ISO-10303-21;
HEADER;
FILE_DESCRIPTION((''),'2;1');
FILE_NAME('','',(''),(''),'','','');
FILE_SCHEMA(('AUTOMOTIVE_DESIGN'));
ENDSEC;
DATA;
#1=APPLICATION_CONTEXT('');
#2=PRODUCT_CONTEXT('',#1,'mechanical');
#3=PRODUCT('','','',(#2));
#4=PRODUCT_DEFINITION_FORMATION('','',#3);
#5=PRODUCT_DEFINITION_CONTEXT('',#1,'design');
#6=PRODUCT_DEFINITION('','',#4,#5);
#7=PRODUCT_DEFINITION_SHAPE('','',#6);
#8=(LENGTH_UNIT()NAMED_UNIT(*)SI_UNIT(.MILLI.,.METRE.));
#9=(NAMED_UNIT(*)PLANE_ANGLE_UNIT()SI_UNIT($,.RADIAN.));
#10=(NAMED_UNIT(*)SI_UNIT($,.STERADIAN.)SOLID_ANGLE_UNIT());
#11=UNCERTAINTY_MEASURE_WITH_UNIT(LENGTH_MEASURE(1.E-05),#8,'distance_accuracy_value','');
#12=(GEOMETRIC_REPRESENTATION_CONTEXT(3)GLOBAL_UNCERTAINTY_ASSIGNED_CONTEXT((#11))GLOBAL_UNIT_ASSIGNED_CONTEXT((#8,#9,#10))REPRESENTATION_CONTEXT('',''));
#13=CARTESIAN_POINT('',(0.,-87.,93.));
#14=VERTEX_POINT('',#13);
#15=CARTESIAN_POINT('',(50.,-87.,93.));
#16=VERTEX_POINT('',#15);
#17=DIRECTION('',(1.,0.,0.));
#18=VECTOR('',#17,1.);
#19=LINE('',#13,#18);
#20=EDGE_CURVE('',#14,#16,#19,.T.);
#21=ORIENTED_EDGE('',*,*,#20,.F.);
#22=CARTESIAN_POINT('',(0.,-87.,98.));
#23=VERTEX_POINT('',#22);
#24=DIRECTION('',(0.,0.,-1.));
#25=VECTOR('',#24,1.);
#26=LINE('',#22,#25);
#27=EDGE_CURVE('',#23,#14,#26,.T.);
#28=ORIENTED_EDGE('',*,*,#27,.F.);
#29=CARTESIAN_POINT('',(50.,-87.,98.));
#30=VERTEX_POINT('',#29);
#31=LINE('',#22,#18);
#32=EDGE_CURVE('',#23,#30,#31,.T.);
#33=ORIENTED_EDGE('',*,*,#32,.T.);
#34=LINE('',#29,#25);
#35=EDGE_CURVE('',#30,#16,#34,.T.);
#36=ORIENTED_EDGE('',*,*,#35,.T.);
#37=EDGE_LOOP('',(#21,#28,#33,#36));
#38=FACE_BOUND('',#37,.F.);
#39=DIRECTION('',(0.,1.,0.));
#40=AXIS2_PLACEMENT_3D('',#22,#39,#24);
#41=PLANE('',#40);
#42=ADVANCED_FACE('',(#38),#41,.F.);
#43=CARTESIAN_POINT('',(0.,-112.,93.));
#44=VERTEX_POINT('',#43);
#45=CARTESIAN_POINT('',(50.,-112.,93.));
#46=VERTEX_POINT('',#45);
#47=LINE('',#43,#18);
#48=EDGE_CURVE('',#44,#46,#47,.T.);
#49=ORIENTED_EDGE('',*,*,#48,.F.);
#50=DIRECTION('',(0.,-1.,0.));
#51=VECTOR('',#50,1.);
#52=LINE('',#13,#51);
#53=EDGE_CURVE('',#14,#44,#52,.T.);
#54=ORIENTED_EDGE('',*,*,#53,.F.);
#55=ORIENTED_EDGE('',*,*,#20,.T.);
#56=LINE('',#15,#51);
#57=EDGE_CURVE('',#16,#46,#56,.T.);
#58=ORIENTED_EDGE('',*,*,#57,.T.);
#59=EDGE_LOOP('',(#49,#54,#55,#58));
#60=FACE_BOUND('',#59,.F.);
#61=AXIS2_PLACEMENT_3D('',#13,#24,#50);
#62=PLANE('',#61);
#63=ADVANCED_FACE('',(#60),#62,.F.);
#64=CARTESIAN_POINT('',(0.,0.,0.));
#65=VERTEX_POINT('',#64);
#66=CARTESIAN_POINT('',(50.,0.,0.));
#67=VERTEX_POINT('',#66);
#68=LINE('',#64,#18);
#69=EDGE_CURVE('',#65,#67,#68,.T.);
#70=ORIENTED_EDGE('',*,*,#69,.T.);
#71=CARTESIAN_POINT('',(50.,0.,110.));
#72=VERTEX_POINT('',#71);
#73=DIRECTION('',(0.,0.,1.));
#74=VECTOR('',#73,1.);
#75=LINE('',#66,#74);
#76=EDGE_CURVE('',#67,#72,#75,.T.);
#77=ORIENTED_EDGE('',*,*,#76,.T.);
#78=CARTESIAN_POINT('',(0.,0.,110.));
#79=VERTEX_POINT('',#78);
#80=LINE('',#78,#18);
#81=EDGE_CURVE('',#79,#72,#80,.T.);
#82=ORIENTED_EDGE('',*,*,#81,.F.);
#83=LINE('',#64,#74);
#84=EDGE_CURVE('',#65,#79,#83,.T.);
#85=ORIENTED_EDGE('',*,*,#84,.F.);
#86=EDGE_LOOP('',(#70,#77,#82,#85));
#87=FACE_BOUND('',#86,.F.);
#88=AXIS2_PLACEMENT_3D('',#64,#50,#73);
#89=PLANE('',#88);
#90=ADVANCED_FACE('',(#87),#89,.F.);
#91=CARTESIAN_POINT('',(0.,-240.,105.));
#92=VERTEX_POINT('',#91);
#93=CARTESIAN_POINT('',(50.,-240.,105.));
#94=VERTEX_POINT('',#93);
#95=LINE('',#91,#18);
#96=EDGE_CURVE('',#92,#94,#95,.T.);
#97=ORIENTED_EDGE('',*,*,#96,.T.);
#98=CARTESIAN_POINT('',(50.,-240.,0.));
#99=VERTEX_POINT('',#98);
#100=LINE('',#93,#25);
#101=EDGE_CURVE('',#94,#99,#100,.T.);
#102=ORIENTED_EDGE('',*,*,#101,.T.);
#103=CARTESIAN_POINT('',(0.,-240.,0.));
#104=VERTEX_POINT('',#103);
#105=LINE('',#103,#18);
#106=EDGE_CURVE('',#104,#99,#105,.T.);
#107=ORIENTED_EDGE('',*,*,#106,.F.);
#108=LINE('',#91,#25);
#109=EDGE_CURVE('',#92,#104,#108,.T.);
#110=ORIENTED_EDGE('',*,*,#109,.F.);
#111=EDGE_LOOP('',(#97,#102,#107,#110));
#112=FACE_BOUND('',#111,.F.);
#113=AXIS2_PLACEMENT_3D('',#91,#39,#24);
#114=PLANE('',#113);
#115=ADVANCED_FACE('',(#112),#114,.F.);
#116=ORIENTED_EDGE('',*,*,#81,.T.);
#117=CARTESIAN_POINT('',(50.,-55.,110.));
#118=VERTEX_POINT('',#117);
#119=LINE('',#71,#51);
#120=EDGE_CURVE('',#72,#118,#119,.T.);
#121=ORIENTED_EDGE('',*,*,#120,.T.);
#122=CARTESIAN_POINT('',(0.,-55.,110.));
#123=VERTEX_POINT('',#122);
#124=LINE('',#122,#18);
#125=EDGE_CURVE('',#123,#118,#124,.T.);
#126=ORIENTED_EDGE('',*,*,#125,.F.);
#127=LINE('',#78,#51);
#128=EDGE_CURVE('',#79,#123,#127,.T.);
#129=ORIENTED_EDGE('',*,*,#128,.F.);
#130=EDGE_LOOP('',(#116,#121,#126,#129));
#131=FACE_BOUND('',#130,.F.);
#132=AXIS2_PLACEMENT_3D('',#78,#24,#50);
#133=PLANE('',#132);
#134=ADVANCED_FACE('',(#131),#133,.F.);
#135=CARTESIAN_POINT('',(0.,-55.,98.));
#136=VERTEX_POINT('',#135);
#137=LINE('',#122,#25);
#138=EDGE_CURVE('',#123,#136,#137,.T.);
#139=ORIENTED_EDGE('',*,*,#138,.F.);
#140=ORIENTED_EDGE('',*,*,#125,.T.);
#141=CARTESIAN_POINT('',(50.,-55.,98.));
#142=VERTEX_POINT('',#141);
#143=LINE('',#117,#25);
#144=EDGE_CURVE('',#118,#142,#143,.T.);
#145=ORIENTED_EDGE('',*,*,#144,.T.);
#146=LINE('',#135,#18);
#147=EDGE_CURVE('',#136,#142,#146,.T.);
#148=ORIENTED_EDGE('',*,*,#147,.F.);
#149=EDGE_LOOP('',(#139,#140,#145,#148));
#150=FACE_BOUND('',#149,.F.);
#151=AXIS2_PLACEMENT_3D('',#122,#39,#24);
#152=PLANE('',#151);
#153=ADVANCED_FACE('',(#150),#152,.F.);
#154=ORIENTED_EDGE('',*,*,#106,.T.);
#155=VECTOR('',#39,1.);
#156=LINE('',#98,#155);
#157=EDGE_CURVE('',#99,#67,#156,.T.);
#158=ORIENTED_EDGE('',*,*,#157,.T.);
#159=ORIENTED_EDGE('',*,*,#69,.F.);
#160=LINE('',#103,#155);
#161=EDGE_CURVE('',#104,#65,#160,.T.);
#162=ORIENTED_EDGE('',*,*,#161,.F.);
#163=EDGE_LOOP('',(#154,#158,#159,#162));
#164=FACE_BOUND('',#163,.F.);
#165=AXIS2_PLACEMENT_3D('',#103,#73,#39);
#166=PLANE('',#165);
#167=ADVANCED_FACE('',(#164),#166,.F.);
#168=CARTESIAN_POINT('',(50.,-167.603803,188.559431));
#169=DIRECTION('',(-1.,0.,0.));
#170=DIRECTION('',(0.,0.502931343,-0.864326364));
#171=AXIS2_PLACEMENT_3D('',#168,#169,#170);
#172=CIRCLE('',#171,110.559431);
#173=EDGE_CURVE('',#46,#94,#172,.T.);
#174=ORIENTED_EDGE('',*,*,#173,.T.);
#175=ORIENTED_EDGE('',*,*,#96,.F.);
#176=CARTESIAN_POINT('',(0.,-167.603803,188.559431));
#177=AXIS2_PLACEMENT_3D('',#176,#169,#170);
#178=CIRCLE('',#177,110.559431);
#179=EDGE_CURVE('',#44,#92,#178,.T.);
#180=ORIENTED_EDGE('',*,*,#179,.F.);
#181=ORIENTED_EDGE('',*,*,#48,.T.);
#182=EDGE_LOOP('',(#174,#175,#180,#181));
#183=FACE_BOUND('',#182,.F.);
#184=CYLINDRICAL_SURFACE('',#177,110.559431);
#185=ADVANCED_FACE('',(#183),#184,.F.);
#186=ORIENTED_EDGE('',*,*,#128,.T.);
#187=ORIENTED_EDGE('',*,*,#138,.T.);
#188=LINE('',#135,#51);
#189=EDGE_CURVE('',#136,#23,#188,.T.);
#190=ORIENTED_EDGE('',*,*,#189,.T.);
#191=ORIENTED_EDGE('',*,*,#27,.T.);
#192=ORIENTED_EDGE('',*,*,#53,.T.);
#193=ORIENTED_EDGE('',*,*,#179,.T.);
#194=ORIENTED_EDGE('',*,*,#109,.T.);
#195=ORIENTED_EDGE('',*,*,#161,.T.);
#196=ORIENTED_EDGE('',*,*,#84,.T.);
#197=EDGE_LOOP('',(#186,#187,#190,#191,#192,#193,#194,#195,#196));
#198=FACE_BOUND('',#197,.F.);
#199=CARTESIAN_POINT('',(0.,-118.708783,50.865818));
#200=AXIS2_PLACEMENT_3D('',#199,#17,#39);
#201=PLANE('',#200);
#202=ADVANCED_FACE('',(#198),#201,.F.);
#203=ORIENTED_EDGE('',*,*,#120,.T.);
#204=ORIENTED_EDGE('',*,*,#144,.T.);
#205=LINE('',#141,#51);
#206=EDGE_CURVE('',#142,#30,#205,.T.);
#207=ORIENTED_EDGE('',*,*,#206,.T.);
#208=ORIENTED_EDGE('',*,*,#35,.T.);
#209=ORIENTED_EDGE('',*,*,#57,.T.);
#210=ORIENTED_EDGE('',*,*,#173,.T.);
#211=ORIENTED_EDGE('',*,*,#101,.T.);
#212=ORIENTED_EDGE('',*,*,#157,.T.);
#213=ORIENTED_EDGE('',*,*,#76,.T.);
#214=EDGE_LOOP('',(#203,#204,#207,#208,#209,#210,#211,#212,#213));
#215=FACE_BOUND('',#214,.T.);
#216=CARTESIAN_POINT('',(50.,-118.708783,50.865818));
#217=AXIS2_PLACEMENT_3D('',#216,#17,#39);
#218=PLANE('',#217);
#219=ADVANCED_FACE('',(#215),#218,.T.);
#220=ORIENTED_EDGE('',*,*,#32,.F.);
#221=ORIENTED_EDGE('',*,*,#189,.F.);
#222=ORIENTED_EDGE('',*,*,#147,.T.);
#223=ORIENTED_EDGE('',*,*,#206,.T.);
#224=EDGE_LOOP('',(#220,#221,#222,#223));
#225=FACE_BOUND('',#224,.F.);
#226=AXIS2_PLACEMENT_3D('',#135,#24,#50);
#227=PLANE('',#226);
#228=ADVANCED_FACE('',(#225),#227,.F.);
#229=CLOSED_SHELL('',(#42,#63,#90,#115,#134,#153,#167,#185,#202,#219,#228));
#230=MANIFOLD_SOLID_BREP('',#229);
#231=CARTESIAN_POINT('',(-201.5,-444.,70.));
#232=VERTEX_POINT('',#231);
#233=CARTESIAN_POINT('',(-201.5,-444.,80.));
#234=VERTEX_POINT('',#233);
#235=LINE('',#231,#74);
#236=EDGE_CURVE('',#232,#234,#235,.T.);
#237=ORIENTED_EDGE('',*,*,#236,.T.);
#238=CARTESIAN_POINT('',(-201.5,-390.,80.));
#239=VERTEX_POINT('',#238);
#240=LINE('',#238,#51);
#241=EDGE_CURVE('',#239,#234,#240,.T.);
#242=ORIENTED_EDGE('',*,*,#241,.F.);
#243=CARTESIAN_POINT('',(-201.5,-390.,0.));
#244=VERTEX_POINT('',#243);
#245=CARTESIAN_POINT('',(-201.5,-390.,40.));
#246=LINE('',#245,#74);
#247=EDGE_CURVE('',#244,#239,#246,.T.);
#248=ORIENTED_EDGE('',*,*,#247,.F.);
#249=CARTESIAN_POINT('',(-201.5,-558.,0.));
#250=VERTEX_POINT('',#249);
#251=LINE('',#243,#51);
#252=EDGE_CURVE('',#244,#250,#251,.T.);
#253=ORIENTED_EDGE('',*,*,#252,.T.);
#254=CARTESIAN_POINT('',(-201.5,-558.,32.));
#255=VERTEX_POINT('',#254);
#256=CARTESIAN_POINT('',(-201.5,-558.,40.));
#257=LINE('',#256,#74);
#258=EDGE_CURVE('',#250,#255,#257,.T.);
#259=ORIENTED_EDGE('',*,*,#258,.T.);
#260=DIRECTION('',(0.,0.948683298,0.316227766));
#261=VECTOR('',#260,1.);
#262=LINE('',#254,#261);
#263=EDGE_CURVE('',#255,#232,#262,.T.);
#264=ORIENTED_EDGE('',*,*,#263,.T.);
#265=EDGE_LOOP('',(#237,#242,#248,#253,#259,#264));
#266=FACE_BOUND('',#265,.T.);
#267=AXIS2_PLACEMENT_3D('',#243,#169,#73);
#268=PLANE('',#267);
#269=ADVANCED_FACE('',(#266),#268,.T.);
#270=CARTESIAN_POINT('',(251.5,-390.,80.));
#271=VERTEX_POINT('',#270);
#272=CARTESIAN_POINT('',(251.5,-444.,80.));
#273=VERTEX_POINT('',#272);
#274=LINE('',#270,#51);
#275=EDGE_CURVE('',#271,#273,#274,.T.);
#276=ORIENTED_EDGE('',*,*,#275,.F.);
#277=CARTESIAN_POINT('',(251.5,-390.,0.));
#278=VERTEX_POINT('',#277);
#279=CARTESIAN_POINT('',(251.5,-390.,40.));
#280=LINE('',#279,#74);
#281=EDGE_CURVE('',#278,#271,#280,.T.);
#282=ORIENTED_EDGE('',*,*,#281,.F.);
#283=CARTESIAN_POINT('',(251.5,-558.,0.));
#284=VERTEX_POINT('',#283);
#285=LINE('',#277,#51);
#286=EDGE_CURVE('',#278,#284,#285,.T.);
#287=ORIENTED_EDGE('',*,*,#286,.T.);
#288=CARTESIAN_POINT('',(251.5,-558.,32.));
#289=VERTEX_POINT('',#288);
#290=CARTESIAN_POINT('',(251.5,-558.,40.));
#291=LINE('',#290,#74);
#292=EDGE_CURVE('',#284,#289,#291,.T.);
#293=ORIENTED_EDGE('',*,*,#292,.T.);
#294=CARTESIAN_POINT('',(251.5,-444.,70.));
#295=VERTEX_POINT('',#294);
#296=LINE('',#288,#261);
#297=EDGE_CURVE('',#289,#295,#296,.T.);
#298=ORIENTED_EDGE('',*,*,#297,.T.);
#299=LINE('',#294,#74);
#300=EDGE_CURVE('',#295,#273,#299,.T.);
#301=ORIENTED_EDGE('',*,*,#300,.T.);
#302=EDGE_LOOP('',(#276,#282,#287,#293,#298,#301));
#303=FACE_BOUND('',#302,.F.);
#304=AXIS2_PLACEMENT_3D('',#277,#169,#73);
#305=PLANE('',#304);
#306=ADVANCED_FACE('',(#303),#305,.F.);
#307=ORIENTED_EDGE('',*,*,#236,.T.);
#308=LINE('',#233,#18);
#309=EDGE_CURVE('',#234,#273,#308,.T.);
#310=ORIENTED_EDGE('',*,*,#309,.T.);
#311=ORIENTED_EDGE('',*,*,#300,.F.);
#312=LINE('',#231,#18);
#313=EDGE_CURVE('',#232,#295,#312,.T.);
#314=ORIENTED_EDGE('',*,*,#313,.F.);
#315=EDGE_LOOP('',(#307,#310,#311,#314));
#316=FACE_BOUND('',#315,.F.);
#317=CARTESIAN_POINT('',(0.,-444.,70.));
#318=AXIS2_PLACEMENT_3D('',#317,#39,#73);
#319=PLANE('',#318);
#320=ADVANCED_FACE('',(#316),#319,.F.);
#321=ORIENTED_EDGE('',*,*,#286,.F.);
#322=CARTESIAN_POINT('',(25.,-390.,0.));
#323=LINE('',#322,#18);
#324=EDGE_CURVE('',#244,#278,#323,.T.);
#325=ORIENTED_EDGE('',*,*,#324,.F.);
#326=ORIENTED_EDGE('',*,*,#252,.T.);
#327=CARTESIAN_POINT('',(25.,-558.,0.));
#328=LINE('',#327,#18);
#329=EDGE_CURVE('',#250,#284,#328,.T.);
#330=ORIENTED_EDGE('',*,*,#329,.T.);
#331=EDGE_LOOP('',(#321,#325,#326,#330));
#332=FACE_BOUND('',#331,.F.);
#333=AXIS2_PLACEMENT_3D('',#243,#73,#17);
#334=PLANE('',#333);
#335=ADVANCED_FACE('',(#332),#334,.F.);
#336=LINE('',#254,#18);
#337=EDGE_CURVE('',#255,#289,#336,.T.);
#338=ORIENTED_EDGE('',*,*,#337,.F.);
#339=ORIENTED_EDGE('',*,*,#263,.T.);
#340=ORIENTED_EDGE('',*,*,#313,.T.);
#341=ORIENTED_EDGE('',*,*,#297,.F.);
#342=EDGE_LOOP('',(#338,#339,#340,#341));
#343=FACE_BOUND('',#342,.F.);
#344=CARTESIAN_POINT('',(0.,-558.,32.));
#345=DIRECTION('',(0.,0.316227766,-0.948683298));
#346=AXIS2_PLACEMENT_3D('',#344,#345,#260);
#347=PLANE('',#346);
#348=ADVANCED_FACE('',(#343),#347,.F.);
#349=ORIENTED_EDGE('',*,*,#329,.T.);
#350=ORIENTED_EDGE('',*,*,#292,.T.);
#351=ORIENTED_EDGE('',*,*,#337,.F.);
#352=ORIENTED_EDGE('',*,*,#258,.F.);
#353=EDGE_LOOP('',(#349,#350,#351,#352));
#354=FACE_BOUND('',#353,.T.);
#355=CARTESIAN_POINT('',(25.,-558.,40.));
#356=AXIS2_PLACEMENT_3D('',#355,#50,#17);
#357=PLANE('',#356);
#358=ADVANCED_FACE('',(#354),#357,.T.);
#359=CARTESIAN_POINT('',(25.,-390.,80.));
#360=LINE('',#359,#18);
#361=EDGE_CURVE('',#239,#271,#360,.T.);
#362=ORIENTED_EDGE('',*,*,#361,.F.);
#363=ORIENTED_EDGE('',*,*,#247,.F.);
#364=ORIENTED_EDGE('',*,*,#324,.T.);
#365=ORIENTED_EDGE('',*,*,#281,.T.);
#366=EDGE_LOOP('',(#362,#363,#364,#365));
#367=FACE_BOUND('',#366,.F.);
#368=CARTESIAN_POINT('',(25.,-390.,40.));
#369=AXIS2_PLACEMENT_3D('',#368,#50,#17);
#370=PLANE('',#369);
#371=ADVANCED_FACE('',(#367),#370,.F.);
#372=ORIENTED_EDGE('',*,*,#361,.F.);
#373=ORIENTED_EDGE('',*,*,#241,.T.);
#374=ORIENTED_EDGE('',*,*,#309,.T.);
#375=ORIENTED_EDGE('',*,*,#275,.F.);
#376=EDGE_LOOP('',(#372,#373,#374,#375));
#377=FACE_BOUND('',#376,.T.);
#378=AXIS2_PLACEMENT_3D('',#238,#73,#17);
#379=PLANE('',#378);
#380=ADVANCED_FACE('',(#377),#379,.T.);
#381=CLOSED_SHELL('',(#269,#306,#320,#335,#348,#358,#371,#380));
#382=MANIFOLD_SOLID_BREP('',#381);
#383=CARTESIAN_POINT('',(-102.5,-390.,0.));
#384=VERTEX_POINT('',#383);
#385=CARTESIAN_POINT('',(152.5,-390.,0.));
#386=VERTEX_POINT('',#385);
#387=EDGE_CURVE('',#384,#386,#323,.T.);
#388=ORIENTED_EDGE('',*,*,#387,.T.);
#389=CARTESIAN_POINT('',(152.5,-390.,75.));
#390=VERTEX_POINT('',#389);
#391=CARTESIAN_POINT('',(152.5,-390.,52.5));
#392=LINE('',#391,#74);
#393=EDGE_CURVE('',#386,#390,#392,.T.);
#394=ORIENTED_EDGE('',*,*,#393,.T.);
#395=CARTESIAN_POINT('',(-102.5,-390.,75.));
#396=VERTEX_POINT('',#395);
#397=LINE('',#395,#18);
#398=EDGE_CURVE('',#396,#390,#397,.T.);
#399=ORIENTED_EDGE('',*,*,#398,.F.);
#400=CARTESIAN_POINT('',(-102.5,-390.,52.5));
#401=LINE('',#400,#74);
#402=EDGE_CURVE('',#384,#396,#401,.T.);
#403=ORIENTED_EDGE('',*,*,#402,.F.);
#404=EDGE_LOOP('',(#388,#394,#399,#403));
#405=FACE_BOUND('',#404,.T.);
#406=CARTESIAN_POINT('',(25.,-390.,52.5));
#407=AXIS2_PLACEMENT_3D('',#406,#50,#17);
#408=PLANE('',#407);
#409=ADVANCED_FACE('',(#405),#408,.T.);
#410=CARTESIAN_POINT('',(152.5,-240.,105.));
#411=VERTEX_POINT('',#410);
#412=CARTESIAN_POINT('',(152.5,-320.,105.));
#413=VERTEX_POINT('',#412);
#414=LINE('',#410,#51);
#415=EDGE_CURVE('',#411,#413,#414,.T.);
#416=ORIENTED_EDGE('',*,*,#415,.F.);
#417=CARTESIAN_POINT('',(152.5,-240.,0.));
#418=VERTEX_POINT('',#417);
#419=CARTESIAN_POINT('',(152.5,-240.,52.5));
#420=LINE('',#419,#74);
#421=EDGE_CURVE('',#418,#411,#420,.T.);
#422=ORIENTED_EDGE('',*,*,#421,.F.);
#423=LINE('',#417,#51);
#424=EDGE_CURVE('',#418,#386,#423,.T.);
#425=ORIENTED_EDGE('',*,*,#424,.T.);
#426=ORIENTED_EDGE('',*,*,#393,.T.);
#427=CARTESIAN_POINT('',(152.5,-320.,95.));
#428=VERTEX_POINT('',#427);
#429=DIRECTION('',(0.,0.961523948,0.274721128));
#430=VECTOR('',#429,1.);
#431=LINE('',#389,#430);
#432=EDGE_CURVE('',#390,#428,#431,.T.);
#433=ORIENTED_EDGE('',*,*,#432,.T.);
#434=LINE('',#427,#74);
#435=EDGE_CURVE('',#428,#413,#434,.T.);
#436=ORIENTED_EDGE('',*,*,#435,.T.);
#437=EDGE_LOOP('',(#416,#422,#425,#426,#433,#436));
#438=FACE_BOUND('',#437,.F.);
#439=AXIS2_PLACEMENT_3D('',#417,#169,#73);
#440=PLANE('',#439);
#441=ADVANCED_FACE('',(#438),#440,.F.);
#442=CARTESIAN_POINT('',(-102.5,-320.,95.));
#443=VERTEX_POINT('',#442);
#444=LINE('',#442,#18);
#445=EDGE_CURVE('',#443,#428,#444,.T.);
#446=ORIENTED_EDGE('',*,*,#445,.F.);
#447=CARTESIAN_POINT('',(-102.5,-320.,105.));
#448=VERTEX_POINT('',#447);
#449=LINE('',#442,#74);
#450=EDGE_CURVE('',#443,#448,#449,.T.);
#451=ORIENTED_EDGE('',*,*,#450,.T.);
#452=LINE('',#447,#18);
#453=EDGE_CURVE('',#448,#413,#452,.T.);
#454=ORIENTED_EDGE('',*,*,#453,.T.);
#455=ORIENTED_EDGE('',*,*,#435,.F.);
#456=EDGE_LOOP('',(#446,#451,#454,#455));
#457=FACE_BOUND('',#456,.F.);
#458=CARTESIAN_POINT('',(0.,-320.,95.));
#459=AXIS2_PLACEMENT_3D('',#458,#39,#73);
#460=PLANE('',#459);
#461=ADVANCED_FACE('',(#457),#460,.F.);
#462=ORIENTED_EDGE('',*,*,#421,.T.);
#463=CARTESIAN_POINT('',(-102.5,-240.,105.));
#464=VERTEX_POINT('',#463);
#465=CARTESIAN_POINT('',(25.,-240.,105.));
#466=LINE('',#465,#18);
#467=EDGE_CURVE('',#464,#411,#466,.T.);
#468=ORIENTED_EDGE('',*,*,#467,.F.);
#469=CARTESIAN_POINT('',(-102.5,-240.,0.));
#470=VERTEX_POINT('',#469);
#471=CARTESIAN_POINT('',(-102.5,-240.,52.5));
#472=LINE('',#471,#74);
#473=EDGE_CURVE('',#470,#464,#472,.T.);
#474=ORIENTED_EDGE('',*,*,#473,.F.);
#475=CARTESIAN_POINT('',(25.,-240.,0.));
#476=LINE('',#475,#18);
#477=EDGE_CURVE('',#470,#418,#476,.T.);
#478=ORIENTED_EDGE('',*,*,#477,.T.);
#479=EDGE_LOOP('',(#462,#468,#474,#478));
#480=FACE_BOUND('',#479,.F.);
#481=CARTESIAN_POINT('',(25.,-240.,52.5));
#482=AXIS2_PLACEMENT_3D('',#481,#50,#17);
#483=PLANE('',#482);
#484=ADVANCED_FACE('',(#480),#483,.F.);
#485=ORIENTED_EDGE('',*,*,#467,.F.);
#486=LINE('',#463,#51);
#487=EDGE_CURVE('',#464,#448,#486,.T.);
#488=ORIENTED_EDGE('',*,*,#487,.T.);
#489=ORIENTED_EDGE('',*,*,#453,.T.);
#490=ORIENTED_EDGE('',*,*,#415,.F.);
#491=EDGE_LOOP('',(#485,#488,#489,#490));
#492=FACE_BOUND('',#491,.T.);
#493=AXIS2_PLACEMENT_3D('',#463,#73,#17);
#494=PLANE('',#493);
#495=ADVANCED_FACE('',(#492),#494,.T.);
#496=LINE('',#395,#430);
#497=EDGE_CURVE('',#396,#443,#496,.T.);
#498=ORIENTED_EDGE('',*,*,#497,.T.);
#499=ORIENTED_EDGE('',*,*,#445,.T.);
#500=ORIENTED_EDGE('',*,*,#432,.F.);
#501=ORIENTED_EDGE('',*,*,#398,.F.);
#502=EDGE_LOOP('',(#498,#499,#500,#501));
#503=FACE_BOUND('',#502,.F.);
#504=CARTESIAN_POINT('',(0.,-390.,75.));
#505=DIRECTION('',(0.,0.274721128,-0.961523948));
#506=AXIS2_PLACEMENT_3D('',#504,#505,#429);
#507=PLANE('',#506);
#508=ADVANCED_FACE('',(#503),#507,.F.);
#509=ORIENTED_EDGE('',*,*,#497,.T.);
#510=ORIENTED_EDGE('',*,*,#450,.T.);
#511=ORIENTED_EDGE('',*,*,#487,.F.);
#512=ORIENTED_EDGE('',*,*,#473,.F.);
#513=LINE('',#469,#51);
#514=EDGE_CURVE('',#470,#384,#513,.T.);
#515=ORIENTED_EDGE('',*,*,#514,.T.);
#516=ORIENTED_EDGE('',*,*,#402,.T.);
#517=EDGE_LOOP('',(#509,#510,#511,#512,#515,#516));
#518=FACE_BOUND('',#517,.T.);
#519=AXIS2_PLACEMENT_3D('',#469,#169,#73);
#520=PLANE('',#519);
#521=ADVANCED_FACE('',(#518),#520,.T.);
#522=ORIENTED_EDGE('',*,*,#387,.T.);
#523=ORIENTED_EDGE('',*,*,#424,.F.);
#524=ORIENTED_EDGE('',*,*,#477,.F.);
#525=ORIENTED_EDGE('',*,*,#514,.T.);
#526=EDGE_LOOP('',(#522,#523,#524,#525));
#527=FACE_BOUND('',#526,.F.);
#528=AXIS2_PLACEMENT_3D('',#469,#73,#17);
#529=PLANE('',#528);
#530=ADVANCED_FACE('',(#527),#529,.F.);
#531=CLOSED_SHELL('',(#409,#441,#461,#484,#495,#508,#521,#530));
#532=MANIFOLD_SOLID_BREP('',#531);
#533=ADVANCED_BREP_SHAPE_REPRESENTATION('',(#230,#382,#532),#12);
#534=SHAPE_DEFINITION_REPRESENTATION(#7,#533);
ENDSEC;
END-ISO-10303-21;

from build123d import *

# Parameters (mm, degrees)
F1_DEPTH      = 50
F2_W          = 255
F2_H          = 105
F3_DEPTH      = 150
F5_DEPTH      = 152.5
F5_DEPTH_BACK = 102.5
F6_W          = 453
F6_H          = 80
F7_DEPTH      = 168
F9_DEPTH      = 201.5
F9_DEPTH_BACK = 251.5


with BuildPart() as f1:
    # F0 (on Right) → F1 (new body)
    with BuildSketch(Plane.YZ):
        with BuildLine():
            Line((-240, 0), (0, 0))
            Line((0, 0), (0, 110))
            Line((0, 110), (-55, 110))
            Line((-55, 110), (-55, 98))
            Line((-55, 98), (-87, 98))
            Line((-87, 98), (-87, 93))
            Line((-87, 93), (-112, 93))
            ThreePointArc((-112, 93), (-177.9234989858, 78.4826774845), (-240, 105))
            Line((-240, 105), (-240, 0))
        make_face()
    extrude(amount=F1_DEPTH)


with BuildPart() as f3:
    # F2 (on face) → F3 (new body)
    with BuildSketch(Plane.XZ.offset(240)):
        with Locations((25, 52.5)):
            Rectangle(F2_W, F2_H)
    extrude(amount=F3_DEPTH)

    # F4 (on Right) → F5 (cut, two sides)
    with BuildSketch(Plane.YZ) as f5_sk:
        Polygon((-320, 105), (-390, 105), (-390, 75), (-320, 95), align=None)
    extrude(amount=F5_DEPTH, mode=Mode.SUBTRACT)
    extrude(f5_sk.sketch, amount=-F5_DEPTH_BACK, mode=Mode.SUBTRACT)


with BuildPart() as f7:
    # F6 (on face) → F7 (new body)
    with BuildSketch(Plane.XZ.offset(390)):
        with Locations((25, 40)):
            Rectangle(F6_W, F6_H)
    extrude(amount=F7_DEPTH)

    # F8 (on Right) → F9 (cut, two sides)
    with BuildSketch(Plane.YZ) as f9_sk:
        Polygon((-444, 80), (-558, 80), (-558, 32), (-444, 70), align=None)
    extrude(amount=-F9_DEPTH, mode=Mode.SUBTRACT)
    extrude(f9_sk.sketch, amount=F9_DEPTH_BACK, mode=Mode.SUBTRACT)


solid = Compound([f1.part, f3.part, f7.part])
